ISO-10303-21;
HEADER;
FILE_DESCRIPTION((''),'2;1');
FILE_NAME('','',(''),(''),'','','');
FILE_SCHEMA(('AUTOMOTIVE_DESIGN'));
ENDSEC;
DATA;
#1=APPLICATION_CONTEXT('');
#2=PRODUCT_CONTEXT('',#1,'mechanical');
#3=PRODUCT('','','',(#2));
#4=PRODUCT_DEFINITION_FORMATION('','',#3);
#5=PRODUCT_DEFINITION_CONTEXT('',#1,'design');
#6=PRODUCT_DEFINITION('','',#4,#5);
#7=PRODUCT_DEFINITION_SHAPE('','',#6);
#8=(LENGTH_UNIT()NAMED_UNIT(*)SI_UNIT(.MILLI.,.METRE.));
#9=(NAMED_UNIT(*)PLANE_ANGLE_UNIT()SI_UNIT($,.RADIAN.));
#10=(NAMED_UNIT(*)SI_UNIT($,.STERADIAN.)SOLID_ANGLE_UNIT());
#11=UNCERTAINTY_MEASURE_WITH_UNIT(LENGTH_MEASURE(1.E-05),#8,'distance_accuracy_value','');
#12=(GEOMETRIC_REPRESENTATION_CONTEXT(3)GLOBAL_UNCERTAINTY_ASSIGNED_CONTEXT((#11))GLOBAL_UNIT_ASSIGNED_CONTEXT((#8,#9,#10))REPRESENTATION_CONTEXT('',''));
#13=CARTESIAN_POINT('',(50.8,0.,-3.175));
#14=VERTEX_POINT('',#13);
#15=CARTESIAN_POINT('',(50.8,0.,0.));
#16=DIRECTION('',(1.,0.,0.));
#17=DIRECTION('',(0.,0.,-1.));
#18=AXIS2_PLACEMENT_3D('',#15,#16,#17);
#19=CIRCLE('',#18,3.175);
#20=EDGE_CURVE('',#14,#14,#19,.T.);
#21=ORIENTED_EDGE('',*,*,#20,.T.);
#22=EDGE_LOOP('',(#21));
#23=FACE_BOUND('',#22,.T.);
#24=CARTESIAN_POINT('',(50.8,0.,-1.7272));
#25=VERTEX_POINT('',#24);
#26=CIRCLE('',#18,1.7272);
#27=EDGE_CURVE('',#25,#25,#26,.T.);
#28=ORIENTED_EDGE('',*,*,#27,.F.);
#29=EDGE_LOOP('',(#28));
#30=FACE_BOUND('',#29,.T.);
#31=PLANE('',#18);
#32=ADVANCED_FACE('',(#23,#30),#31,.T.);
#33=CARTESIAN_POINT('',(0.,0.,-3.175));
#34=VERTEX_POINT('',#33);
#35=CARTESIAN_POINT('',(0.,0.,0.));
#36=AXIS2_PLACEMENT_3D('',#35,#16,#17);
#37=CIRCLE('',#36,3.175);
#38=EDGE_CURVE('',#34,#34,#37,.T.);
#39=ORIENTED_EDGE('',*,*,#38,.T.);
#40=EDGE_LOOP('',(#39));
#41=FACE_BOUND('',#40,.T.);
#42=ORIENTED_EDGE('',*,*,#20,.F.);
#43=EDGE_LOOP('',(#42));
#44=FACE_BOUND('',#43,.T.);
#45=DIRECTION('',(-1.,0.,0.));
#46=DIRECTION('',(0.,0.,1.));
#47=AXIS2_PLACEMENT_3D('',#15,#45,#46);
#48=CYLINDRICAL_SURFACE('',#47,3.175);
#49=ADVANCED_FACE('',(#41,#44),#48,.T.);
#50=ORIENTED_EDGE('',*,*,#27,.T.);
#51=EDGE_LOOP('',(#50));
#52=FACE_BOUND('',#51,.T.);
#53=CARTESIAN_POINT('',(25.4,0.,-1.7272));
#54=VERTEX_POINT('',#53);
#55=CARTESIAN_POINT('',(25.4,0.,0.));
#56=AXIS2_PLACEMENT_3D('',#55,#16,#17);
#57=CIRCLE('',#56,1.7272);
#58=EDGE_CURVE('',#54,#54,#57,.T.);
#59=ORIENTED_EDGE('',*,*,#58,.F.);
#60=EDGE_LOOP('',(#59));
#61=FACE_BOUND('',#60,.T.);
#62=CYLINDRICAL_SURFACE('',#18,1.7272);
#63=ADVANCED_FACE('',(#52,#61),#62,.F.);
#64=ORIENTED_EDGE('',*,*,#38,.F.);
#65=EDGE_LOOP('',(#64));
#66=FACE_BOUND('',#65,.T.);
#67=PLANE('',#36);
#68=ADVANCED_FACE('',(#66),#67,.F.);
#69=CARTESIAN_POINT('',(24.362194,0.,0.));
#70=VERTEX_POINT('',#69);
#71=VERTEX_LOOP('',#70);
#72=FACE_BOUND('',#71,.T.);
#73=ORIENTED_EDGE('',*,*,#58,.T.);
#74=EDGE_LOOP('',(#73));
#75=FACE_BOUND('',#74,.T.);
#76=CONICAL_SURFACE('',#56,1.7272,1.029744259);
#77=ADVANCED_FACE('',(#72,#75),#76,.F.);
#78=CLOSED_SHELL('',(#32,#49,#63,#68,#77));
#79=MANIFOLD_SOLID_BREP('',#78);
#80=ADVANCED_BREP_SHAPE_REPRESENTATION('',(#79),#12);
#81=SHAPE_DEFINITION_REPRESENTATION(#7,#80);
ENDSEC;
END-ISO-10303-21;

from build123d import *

# Parameters (mm, degrees)
SKETCH1_R                 = 3.175
BOSS_EXTRUDE1_DEPTH       = 50.8
F_8_32_TAPPED_HOLE1_D     = 3.4544
F_8_32_TAPPED_HOLE1_DEPTH = 25.4
F_8_32_TAPPED_HOLE1_TIP   = 1.037806461


with BuildPart() as part:
    # Sketch1 → Boss-Extrude1 (new body)
    with BuildSketch(Plane(origin=(0, 0, 0), x_dir=(0, 0, -1), z_dir=(1, 0, 0))):
        Circle(SKETCH1_R)
    extrude(amount=BOSS_EXTRUDE1_DEPTH)

    # #8-32 Tapped Hole1
    with Locations(Plane(origin=(50.8, 0, 0), x_dir=(0, 0, -1), z_dir=(1, 0, 0))):
        with Locations((0, 0)):
            Hole(F_8_32_TAPPED_HOLE1_D / 2, depth=F_8_32_TAPPED_HOLE1_DEPTH)
            with Locations((0, 0, -(F_8_32_TAPPED_HOLE1_DEPTH + F_8_32_TAPPED_HOLE1_TIP / 2))):  # 118° drill point
                Cone(0, F_8_32_TAPPED_HOLE1_D / 2, F_8_32_TAPPED_HOLE1_TIP, mode=Mode.SUBTRACT)


solid = part.part
